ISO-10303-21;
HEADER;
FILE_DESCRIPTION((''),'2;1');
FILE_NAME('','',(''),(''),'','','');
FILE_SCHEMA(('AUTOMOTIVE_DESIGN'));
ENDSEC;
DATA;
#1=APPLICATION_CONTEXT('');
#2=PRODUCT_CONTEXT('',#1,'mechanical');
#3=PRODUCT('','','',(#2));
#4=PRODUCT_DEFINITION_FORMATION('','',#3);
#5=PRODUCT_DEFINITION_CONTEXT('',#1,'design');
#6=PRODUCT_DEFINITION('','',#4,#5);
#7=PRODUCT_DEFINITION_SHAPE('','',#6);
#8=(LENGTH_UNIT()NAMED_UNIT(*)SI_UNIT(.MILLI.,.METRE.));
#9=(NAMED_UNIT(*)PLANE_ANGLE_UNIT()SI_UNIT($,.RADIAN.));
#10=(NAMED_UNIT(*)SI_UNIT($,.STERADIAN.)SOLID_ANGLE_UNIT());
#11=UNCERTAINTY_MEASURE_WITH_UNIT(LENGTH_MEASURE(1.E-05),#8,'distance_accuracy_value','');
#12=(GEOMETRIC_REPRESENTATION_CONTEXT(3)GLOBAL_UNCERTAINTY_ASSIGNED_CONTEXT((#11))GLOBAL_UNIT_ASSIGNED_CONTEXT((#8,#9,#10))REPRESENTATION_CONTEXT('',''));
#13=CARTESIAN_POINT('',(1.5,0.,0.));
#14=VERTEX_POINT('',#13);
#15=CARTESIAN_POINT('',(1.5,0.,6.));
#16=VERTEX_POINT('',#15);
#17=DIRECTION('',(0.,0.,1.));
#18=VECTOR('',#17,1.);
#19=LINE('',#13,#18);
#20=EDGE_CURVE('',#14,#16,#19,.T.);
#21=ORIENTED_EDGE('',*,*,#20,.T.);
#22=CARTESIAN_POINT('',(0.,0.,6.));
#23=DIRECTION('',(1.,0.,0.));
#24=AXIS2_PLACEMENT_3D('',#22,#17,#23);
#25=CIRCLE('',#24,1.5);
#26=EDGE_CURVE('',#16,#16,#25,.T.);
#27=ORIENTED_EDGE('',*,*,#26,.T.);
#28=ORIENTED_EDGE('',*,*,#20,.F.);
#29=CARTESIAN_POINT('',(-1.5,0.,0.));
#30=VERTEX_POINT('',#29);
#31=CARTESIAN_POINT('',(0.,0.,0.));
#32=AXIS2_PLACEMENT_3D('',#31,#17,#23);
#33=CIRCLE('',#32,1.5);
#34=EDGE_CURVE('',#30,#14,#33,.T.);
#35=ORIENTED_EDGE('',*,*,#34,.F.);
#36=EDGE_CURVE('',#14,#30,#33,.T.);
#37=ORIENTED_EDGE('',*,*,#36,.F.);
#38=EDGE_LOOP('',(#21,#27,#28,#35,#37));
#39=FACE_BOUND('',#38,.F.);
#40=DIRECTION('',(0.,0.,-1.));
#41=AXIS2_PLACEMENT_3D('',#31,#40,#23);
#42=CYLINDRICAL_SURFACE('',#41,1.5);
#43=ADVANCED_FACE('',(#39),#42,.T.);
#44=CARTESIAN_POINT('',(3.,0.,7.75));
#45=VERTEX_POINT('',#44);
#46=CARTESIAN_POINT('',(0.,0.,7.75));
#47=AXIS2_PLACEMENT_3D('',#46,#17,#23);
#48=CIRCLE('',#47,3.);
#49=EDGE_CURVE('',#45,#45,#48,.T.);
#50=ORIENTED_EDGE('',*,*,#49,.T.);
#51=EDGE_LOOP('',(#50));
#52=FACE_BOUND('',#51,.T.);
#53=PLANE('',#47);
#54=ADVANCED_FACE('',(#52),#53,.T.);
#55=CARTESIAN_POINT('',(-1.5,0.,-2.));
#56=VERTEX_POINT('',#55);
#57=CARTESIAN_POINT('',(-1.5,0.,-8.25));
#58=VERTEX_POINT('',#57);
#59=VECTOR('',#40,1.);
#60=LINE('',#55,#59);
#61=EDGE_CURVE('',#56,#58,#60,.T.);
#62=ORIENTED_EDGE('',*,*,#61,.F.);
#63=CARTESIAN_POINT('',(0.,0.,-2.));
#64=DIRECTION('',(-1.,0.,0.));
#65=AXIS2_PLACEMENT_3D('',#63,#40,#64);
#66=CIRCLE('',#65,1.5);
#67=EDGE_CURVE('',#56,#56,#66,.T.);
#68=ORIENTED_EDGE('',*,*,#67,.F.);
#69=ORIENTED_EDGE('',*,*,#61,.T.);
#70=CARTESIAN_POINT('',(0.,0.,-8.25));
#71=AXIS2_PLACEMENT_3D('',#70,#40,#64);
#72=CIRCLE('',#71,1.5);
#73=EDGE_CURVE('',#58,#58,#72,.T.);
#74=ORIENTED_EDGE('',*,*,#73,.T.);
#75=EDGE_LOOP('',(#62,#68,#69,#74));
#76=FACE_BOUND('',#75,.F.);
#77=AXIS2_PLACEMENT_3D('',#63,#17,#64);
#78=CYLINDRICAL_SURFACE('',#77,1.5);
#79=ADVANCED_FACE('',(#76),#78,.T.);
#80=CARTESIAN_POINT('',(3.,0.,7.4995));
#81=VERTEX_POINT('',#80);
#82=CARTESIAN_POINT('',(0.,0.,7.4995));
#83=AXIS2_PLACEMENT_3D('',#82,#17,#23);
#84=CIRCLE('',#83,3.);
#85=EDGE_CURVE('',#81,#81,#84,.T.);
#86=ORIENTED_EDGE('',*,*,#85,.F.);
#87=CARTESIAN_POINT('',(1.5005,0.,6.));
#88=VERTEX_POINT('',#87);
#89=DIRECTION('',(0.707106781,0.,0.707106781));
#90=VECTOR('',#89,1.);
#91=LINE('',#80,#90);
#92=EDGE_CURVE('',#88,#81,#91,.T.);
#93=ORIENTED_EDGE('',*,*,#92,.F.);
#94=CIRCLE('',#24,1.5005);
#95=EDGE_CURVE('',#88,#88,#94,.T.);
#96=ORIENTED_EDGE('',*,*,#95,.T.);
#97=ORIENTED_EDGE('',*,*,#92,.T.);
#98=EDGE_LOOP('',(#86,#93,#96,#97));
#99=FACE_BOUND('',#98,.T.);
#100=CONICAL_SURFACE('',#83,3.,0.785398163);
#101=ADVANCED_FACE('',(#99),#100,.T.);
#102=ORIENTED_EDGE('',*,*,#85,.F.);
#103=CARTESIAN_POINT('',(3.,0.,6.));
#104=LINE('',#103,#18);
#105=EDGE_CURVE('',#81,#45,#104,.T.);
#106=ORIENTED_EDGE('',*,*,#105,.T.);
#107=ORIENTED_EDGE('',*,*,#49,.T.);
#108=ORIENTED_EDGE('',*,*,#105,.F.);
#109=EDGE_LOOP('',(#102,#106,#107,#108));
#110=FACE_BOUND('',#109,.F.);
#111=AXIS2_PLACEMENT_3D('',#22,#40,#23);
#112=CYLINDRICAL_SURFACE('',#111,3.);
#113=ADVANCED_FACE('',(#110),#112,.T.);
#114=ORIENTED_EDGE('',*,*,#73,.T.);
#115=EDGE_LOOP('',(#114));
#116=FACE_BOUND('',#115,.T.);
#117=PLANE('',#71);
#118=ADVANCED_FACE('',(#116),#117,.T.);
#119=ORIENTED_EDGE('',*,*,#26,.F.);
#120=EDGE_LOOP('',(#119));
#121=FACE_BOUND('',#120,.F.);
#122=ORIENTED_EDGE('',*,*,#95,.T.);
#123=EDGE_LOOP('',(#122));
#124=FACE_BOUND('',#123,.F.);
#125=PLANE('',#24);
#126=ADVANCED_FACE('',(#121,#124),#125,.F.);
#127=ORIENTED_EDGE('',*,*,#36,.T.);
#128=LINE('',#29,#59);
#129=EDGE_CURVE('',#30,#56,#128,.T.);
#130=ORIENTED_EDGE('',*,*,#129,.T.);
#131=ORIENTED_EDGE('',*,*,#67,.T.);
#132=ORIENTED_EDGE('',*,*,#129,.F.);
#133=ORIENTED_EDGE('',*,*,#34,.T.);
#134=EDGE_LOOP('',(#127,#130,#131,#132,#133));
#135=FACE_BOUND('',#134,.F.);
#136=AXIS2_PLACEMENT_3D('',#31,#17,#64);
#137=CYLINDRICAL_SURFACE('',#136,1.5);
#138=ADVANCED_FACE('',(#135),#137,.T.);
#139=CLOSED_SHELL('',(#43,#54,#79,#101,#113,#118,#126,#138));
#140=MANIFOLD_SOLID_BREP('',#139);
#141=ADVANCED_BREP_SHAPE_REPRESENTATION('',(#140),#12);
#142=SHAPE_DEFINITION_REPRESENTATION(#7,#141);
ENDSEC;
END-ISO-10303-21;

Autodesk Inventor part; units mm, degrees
ref_plane "YZ Plane" through (0, 0, 0) normal (1, 0, 0) x (0, 1, 0)
ref_plane "XZ Plane" through (0, 0, 0) normal (0, 1, 0) x (-1, 0, 0)
ref_plane "XY Plane" through (0, 0, 0) normal (0, 0, 1) x (1, 0, 0)
sketch "スケッチ1" plane through (0, 0, 0) normal (0, 0, 1) x (1, 0, 0)
  circle A0 centre (0, 0) radius 1.5
  dimension "d0" = 3
extrude "押し出し1" add sketch "スケッチ1" along normal blind 6
sketch "スケッチ2" plane through (0, 0, 6) normal (0, 0, 1) x (1, 0, 0)
  circle A0 centre (0, 0) radius 1.5 projected
  circle A1 centre (0, 0) radius 3
  dimension "d3" = 6
extrude "押し出し2" add sketch "スケッチ2" along normal blind 1.75 contours A0 | A1
thread "ねじ1" size "M3x0.5" class "6g" standard "ANSI Metric M Profile" full length
chamfer "面取り1" distance 1.5 angle 45 1 edges at (-3, 0, 6)
sketch "スケッチ4" plane through (0, 0, 0) normal (0, 0, -1) x (-1, 0, 0)
  circle A0 centre (0, 0) radius 1.5 projected
extrude "押し出し4" add sketch "スケッチ4" along normal blind 4
sketch "スケッチ5" plane through (0, 0, -4) normal (0, 0, -1) x (-1, 0, 0)
  circle A0 centre (0, 0) radius 1.5 projected
extrude "押し出し5" cut sketch "スケッチ5" against normal blind 2
sketch "スケッチ6" plane through (0, 0, -2) normal (0, 0, -1) x (-1, 0, 0)
  circle A0 centre (0, 0) radius 1.5 projected
extrude "押し出し6" add sketch "スケッチ6" along normal blind 6.25
properties part number "SB　16mm皿ネジ" material "Steel, Mild"
